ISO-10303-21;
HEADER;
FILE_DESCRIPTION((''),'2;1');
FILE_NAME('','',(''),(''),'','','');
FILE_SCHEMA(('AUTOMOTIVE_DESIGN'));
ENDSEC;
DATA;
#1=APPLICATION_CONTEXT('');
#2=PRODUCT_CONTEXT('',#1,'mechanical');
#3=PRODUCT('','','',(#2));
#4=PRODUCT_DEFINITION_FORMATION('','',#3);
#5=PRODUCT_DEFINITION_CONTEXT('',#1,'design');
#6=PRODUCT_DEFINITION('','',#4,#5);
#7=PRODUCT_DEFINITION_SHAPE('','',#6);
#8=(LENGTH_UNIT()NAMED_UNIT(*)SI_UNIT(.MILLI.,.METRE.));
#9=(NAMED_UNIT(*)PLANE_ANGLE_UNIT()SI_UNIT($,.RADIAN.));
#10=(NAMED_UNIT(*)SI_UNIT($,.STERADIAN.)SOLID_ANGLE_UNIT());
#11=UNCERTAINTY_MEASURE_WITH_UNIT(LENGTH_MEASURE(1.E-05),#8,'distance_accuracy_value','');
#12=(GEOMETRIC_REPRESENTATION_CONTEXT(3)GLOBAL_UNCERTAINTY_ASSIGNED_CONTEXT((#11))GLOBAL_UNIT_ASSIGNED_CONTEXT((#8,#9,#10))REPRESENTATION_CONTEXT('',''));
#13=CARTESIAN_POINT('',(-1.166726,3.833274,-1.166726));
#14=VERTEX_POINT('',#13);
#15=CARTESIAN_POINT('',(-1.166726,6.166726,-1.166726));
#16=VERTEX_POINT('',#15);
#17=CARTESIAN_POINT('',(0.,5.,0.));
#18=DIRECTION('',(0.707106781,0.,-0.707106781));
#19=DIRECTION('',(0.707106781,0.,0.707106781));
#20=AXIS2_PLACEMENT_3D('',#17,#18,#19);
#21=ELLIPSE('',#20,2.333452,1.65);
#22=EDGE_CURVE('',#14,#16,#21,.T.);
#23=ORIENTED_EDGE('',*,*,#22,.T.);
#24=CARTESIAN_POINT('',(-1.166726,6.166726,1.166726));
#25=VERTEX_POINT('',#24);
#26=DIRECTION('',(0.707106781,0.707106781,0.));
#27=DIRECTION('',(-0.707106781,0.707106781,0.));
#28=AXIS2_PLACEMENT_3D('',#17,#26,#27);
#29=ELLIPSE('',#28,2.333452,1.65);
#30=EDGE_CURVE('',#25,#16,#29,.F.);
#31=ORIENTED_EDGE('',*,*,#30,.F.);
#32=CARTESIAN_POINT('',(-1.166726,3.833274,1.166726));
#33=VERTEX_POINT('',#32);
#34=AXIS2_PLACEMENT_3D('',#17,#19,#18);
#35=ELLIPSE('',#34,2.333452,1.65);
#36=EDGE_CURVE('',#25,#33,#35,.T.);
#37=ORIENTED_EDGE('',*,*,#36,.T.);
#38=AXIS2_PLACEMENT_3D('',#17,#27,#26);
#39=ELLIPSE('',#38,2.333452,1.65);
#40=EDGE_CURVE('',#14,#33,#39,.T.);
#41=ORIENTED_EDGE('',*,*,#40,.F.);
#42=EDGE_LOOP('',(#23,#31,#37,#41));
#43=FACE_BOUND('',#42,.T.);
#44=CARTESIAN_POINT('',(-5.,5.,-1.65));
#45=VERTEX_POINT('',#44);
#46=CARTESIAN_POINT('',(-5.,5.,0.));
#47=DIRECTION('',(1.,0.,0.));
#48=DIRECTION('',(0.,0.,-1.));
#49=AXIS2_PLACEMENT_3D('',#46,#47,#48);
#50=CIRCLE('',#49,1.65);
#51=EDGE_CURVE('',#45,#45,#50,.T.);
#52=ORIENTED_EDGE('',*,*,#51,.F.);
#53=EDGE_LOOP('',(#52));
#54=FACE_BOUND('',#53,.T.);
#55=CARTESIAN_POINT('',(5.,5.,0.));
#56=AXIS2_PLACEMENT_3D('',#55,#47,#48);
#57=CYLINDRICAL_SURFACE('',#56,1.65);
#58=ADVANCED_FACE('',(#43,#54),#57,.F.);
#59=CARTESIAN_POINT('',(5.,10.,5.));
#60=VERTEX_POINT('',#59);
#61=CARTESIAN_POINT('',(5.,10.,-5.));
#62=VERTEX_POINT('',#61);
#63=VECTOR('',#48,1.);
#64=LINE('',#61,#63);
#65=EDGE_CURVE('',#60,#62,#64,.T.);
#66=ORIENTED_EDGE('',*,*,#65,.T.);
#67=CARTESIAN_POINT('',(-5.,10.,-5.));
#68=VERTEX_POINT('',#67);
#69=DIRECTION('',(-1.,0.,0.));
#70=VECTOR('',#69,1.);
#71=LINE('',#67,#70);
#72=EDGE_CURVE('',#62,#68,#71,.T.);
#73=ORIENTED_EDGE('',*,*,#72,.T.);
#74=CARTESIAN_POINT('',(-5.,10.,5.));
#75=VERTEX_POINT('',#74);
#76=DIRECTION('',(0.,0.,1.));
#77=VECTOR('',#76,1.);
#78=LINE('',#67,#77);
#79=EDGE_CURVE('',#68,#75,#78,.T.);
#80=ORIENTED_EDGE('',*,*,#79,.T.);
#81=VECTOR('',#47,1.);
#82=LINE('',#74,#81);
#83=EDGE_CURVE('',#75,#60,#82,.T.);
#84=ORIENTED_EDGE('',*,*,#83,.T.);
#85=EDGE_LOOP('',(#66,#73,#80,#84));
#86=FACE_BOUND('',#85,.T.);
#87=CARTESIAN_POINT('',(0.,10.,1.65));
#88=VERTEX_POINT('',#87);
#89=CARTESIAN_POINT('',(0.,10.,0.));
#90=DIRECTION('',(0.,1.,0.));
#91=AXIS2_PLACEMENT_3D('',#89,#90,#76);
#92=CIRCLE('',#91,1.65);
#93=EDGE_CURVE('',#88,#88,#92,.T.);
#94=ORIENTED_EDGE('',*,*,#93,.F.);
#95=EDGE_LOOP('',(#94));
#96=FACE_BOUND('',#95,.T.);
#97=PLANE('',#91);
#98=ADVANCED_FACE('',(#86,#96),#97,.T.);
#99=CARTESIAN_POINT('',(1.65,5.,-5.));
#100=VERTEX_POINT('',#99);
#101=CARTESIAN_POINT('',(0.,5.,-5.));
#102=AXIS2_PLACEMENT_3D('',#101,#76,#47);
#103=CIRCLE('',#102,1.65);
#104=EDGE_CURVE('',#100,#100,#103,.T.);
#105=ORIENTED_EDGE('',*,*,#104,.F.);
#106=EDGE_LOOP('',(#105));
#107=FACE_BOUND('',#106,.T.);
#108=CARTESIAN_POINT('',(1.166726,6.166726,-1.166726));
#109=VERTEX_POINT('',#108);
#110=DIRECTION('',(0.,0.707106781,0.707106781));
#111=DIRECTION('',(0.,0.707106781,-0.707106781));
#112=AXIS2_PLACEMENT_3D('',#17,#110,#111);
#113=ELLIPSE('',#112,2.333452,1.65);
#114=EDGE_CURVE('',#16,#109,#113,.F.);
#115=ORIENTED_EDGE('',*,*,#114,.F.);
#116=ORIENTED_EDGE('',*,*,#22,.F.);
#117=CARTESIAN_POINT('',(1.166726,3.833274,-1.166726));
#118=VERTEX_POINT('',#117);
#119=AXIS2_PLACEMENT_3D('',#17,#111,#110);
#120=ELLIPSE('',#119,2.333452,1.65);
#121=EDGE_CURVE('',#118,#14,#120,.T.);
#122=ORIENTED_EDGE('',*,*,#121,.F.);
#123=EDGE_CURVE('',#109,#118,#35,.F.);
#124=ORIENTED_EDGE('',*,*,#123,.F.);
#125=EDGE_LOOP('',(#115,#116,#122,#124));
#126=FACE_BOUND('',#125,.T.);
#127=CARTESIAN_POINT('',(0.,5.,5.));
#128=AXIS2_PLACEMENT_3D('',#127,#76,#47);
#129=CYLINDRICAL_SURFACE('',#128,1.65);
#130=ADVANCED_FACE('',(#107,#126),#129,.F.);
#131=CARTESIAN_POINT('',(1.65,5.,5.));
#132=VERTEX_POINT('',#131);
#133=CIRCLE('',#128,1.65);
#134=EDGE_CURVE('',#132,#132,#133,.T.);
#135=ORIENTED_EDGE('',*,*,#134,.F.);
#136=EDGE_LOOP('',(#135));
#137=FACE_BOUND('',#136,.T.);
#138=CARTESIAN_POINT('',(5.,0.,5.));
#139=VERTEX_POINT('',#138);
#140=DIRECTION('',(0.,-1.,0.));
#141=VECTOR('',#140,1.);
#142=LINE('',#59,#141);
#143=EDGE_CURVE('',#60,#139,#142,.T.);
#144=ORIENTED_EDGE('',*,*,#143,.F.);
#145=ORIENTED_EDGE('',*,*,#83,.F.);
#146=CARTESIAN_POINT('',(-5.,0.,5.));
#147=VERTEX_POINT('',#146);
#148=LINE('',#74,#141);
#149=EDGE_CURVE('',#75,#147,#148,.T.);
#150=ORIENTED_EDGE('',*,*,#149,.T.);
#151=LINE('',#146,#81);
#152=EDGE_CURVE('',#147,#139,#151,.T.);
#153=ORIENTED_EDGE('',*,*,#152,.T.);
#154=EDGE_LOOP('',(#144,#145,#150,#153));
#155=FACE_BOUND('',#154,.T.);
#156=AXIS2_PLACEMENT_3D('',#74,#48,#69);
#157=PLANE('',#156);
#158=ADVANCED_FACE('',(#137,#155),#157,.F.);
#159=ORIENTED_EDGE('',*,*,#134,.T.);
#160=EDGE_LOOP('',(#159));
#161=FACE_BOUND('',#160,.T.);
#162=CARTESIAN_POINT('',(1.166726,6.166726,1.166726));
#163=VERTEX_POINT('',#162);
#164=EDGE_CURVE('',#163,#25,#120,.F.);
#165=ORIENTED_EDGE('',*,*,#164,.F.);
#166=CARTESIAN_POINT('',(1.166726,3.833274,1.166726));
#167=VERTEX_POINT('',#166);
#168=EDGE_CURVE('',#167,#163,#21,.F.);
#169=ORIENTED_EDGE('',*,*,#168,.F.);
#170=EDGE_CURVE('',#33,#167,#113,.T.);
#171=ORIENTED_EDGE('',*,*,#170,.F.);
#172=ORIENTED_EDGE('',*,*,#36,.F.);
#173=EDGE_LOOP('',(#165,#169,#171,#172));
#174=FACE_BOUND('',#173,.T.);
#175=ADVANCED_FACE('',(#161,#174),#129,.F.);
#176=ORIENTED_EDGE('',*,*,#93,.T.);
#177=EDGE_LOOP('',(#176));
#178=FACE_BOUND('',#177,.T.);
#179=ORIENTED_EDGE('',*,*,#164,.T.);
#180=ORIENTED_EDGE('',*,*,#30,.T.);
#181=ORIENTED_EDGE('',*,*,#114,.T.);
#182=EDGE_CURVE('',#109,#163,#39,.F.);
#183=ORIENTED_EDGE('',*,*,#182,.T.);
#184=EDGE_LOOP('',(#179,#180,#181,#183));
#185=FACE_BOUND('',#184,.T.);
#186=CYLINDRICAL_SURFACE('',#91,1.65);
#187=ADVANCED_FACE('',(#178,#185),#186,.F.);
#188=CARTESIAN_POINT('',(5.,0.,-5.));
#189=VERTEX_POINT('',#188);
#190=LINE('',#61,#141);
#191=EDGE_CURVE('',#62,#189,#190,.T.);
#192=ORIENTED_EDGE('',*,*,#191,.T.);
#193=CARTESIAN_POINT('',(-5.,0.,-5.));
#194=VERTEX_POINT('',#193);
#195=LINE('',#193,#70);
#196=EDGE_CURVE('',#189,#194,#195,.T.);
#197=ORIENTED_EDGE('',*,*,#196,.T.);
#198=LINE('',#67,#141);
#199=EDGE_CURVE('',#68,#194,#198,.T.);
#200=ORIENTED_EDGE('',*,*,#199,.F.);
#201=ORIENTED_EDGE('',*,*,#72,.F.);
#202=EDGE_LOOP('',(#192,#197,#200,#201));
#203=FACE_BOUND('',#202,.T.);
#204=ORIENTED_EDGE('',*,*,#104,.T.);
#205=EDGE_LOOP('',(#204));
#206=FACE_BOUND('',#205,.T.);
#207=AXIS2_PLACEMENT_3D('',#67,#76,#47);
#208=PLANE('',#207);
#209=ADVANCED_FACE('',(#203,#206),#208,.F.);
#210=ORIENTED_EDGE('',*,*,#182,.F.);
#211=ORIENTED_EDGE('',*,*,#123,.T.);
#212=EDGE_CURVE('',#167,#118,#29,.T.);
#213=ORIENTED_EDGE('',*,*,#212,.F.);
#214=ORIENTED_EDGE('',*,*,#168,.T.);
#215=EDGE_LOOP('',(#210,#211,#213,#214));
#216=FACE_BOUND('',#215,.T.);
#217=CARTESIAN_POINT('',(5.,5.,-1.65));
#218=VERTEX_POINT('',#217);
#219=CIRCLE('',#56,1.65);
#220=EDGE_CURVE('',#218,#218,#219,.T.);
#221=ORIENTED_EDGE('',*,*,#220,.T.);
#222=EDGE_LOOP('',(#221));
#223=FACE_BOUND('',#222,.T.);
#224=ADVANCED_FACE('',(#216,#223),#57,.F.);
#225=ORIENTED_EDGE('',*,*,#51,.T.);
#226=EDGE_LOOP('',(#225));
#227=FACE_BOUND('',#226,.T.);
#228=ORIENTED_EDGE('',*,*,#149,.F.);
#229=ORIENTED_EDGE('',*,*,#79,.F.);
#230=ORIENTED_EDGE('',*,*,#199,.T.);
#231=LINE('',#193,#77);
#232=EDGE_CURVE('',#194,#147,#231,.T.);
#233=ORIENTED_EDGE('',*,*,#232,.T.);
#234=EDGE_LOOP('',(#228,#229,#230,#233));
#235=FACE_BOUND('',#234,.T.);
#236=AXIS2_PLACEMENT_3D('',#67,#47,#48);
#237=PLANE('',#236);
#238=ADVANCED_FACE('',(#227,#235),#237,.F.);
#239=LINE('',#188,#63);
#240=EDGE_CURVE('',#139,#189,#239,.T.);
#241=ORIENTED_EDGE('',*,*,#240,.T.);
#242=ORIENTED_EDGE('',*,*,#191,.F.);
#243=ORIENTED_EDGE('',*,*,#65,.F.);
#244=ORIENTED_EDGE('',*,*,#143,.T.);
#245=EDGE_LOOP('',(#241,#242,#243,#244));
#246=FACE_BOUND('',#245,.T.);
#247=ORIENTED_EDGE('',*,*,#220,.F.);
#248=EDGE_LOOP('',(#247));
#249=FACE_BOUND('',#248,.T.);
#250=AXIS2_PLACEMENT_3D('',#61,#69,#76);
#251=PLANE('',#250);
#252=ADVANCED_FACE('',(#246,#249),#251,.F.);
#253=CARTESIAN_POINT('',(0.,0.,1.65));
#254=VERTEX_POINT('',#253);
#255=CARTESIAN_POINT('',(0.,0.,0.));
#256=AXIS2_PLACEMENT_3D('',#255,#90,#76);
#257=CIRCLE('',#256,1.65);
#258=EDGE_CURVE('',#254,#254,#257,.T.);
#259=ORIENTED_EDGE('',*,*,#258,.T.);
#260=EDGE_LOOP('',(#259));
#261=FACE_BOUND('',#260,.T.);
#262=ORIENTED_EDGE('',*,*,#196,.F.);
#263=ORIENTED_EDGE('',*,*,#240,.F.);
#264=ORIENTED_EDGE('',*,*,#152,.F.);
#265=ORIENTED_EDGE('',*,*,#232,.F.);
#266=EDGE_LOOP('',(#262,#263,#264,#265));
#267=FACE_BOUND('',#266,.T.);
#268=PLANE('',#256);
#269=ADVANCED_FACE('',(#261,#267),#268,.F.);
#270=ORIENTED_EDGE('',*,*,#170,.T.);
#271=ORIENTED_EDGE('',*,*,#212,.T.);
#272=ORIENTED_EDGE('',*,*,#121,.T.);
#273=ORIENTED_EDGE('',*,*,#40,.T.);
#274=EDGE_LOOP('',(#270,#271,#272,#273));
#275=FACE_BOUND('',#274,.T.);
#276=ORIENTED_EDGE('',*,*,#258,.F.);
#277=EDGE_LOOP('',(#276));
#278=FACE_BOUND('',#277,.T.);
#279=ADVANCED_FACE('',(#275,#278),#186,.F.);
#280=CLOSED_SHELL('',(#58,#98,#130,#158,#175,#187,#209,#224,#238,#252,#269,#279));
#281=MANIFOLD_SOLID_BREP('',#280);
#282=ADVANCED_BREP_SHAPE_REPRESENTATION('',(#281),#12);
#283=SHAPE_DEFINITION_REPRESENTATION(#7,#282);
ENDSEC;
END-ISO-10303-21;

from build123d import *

# Parameters (mm, degrees)
SKETCH_1_W      = 10
SKETCH_1_H      = 10
EXTRUDE_1_DEPTH = 10
HOLE_WIZARD_1_D = 3.3
HOLE_WIZARD_2_D = 3.3
HOLE_WIZARD_3_D = 3.3


with BuildPart() as part:
    # 草图1 → 凸台-拉伸1 (new body)
    with BuildSketch(Plane(origin=(0, 0, 0), x_dir=(1, 0, 0), z_dir=(0, 1, 0))):
        Rectangle(SKETCH_1_W, SKETCH_1_H)
    extrude(amount=EXTRUDE_1_DEPTH)

    # 孔1 (through all)
    with Locations(Plane(origin=(0, 10, 0), x_dir=(1, 0, 0), z_dir=(0, 1, 0))):
        with Locations((0, 0)):
            Hole(HOLE_WIZARD_1_D / 2)

    # 孔2 (through all)
    with Locations(Plane(origin=(5, 0, 0), x_dir=(0, 0, -1), z_dir=(1, 0, 0))):
        with Locations((0, 5)):
            Hole(HOLE_WIZARD_2_D / 2)

    # 孔3 (through all)
    with Locations(Plane.XY.offset(5)):
        with Locations((0, 5)):
            Hole(HOLE_WIZARD_3_D / 2)


solid = part.part
